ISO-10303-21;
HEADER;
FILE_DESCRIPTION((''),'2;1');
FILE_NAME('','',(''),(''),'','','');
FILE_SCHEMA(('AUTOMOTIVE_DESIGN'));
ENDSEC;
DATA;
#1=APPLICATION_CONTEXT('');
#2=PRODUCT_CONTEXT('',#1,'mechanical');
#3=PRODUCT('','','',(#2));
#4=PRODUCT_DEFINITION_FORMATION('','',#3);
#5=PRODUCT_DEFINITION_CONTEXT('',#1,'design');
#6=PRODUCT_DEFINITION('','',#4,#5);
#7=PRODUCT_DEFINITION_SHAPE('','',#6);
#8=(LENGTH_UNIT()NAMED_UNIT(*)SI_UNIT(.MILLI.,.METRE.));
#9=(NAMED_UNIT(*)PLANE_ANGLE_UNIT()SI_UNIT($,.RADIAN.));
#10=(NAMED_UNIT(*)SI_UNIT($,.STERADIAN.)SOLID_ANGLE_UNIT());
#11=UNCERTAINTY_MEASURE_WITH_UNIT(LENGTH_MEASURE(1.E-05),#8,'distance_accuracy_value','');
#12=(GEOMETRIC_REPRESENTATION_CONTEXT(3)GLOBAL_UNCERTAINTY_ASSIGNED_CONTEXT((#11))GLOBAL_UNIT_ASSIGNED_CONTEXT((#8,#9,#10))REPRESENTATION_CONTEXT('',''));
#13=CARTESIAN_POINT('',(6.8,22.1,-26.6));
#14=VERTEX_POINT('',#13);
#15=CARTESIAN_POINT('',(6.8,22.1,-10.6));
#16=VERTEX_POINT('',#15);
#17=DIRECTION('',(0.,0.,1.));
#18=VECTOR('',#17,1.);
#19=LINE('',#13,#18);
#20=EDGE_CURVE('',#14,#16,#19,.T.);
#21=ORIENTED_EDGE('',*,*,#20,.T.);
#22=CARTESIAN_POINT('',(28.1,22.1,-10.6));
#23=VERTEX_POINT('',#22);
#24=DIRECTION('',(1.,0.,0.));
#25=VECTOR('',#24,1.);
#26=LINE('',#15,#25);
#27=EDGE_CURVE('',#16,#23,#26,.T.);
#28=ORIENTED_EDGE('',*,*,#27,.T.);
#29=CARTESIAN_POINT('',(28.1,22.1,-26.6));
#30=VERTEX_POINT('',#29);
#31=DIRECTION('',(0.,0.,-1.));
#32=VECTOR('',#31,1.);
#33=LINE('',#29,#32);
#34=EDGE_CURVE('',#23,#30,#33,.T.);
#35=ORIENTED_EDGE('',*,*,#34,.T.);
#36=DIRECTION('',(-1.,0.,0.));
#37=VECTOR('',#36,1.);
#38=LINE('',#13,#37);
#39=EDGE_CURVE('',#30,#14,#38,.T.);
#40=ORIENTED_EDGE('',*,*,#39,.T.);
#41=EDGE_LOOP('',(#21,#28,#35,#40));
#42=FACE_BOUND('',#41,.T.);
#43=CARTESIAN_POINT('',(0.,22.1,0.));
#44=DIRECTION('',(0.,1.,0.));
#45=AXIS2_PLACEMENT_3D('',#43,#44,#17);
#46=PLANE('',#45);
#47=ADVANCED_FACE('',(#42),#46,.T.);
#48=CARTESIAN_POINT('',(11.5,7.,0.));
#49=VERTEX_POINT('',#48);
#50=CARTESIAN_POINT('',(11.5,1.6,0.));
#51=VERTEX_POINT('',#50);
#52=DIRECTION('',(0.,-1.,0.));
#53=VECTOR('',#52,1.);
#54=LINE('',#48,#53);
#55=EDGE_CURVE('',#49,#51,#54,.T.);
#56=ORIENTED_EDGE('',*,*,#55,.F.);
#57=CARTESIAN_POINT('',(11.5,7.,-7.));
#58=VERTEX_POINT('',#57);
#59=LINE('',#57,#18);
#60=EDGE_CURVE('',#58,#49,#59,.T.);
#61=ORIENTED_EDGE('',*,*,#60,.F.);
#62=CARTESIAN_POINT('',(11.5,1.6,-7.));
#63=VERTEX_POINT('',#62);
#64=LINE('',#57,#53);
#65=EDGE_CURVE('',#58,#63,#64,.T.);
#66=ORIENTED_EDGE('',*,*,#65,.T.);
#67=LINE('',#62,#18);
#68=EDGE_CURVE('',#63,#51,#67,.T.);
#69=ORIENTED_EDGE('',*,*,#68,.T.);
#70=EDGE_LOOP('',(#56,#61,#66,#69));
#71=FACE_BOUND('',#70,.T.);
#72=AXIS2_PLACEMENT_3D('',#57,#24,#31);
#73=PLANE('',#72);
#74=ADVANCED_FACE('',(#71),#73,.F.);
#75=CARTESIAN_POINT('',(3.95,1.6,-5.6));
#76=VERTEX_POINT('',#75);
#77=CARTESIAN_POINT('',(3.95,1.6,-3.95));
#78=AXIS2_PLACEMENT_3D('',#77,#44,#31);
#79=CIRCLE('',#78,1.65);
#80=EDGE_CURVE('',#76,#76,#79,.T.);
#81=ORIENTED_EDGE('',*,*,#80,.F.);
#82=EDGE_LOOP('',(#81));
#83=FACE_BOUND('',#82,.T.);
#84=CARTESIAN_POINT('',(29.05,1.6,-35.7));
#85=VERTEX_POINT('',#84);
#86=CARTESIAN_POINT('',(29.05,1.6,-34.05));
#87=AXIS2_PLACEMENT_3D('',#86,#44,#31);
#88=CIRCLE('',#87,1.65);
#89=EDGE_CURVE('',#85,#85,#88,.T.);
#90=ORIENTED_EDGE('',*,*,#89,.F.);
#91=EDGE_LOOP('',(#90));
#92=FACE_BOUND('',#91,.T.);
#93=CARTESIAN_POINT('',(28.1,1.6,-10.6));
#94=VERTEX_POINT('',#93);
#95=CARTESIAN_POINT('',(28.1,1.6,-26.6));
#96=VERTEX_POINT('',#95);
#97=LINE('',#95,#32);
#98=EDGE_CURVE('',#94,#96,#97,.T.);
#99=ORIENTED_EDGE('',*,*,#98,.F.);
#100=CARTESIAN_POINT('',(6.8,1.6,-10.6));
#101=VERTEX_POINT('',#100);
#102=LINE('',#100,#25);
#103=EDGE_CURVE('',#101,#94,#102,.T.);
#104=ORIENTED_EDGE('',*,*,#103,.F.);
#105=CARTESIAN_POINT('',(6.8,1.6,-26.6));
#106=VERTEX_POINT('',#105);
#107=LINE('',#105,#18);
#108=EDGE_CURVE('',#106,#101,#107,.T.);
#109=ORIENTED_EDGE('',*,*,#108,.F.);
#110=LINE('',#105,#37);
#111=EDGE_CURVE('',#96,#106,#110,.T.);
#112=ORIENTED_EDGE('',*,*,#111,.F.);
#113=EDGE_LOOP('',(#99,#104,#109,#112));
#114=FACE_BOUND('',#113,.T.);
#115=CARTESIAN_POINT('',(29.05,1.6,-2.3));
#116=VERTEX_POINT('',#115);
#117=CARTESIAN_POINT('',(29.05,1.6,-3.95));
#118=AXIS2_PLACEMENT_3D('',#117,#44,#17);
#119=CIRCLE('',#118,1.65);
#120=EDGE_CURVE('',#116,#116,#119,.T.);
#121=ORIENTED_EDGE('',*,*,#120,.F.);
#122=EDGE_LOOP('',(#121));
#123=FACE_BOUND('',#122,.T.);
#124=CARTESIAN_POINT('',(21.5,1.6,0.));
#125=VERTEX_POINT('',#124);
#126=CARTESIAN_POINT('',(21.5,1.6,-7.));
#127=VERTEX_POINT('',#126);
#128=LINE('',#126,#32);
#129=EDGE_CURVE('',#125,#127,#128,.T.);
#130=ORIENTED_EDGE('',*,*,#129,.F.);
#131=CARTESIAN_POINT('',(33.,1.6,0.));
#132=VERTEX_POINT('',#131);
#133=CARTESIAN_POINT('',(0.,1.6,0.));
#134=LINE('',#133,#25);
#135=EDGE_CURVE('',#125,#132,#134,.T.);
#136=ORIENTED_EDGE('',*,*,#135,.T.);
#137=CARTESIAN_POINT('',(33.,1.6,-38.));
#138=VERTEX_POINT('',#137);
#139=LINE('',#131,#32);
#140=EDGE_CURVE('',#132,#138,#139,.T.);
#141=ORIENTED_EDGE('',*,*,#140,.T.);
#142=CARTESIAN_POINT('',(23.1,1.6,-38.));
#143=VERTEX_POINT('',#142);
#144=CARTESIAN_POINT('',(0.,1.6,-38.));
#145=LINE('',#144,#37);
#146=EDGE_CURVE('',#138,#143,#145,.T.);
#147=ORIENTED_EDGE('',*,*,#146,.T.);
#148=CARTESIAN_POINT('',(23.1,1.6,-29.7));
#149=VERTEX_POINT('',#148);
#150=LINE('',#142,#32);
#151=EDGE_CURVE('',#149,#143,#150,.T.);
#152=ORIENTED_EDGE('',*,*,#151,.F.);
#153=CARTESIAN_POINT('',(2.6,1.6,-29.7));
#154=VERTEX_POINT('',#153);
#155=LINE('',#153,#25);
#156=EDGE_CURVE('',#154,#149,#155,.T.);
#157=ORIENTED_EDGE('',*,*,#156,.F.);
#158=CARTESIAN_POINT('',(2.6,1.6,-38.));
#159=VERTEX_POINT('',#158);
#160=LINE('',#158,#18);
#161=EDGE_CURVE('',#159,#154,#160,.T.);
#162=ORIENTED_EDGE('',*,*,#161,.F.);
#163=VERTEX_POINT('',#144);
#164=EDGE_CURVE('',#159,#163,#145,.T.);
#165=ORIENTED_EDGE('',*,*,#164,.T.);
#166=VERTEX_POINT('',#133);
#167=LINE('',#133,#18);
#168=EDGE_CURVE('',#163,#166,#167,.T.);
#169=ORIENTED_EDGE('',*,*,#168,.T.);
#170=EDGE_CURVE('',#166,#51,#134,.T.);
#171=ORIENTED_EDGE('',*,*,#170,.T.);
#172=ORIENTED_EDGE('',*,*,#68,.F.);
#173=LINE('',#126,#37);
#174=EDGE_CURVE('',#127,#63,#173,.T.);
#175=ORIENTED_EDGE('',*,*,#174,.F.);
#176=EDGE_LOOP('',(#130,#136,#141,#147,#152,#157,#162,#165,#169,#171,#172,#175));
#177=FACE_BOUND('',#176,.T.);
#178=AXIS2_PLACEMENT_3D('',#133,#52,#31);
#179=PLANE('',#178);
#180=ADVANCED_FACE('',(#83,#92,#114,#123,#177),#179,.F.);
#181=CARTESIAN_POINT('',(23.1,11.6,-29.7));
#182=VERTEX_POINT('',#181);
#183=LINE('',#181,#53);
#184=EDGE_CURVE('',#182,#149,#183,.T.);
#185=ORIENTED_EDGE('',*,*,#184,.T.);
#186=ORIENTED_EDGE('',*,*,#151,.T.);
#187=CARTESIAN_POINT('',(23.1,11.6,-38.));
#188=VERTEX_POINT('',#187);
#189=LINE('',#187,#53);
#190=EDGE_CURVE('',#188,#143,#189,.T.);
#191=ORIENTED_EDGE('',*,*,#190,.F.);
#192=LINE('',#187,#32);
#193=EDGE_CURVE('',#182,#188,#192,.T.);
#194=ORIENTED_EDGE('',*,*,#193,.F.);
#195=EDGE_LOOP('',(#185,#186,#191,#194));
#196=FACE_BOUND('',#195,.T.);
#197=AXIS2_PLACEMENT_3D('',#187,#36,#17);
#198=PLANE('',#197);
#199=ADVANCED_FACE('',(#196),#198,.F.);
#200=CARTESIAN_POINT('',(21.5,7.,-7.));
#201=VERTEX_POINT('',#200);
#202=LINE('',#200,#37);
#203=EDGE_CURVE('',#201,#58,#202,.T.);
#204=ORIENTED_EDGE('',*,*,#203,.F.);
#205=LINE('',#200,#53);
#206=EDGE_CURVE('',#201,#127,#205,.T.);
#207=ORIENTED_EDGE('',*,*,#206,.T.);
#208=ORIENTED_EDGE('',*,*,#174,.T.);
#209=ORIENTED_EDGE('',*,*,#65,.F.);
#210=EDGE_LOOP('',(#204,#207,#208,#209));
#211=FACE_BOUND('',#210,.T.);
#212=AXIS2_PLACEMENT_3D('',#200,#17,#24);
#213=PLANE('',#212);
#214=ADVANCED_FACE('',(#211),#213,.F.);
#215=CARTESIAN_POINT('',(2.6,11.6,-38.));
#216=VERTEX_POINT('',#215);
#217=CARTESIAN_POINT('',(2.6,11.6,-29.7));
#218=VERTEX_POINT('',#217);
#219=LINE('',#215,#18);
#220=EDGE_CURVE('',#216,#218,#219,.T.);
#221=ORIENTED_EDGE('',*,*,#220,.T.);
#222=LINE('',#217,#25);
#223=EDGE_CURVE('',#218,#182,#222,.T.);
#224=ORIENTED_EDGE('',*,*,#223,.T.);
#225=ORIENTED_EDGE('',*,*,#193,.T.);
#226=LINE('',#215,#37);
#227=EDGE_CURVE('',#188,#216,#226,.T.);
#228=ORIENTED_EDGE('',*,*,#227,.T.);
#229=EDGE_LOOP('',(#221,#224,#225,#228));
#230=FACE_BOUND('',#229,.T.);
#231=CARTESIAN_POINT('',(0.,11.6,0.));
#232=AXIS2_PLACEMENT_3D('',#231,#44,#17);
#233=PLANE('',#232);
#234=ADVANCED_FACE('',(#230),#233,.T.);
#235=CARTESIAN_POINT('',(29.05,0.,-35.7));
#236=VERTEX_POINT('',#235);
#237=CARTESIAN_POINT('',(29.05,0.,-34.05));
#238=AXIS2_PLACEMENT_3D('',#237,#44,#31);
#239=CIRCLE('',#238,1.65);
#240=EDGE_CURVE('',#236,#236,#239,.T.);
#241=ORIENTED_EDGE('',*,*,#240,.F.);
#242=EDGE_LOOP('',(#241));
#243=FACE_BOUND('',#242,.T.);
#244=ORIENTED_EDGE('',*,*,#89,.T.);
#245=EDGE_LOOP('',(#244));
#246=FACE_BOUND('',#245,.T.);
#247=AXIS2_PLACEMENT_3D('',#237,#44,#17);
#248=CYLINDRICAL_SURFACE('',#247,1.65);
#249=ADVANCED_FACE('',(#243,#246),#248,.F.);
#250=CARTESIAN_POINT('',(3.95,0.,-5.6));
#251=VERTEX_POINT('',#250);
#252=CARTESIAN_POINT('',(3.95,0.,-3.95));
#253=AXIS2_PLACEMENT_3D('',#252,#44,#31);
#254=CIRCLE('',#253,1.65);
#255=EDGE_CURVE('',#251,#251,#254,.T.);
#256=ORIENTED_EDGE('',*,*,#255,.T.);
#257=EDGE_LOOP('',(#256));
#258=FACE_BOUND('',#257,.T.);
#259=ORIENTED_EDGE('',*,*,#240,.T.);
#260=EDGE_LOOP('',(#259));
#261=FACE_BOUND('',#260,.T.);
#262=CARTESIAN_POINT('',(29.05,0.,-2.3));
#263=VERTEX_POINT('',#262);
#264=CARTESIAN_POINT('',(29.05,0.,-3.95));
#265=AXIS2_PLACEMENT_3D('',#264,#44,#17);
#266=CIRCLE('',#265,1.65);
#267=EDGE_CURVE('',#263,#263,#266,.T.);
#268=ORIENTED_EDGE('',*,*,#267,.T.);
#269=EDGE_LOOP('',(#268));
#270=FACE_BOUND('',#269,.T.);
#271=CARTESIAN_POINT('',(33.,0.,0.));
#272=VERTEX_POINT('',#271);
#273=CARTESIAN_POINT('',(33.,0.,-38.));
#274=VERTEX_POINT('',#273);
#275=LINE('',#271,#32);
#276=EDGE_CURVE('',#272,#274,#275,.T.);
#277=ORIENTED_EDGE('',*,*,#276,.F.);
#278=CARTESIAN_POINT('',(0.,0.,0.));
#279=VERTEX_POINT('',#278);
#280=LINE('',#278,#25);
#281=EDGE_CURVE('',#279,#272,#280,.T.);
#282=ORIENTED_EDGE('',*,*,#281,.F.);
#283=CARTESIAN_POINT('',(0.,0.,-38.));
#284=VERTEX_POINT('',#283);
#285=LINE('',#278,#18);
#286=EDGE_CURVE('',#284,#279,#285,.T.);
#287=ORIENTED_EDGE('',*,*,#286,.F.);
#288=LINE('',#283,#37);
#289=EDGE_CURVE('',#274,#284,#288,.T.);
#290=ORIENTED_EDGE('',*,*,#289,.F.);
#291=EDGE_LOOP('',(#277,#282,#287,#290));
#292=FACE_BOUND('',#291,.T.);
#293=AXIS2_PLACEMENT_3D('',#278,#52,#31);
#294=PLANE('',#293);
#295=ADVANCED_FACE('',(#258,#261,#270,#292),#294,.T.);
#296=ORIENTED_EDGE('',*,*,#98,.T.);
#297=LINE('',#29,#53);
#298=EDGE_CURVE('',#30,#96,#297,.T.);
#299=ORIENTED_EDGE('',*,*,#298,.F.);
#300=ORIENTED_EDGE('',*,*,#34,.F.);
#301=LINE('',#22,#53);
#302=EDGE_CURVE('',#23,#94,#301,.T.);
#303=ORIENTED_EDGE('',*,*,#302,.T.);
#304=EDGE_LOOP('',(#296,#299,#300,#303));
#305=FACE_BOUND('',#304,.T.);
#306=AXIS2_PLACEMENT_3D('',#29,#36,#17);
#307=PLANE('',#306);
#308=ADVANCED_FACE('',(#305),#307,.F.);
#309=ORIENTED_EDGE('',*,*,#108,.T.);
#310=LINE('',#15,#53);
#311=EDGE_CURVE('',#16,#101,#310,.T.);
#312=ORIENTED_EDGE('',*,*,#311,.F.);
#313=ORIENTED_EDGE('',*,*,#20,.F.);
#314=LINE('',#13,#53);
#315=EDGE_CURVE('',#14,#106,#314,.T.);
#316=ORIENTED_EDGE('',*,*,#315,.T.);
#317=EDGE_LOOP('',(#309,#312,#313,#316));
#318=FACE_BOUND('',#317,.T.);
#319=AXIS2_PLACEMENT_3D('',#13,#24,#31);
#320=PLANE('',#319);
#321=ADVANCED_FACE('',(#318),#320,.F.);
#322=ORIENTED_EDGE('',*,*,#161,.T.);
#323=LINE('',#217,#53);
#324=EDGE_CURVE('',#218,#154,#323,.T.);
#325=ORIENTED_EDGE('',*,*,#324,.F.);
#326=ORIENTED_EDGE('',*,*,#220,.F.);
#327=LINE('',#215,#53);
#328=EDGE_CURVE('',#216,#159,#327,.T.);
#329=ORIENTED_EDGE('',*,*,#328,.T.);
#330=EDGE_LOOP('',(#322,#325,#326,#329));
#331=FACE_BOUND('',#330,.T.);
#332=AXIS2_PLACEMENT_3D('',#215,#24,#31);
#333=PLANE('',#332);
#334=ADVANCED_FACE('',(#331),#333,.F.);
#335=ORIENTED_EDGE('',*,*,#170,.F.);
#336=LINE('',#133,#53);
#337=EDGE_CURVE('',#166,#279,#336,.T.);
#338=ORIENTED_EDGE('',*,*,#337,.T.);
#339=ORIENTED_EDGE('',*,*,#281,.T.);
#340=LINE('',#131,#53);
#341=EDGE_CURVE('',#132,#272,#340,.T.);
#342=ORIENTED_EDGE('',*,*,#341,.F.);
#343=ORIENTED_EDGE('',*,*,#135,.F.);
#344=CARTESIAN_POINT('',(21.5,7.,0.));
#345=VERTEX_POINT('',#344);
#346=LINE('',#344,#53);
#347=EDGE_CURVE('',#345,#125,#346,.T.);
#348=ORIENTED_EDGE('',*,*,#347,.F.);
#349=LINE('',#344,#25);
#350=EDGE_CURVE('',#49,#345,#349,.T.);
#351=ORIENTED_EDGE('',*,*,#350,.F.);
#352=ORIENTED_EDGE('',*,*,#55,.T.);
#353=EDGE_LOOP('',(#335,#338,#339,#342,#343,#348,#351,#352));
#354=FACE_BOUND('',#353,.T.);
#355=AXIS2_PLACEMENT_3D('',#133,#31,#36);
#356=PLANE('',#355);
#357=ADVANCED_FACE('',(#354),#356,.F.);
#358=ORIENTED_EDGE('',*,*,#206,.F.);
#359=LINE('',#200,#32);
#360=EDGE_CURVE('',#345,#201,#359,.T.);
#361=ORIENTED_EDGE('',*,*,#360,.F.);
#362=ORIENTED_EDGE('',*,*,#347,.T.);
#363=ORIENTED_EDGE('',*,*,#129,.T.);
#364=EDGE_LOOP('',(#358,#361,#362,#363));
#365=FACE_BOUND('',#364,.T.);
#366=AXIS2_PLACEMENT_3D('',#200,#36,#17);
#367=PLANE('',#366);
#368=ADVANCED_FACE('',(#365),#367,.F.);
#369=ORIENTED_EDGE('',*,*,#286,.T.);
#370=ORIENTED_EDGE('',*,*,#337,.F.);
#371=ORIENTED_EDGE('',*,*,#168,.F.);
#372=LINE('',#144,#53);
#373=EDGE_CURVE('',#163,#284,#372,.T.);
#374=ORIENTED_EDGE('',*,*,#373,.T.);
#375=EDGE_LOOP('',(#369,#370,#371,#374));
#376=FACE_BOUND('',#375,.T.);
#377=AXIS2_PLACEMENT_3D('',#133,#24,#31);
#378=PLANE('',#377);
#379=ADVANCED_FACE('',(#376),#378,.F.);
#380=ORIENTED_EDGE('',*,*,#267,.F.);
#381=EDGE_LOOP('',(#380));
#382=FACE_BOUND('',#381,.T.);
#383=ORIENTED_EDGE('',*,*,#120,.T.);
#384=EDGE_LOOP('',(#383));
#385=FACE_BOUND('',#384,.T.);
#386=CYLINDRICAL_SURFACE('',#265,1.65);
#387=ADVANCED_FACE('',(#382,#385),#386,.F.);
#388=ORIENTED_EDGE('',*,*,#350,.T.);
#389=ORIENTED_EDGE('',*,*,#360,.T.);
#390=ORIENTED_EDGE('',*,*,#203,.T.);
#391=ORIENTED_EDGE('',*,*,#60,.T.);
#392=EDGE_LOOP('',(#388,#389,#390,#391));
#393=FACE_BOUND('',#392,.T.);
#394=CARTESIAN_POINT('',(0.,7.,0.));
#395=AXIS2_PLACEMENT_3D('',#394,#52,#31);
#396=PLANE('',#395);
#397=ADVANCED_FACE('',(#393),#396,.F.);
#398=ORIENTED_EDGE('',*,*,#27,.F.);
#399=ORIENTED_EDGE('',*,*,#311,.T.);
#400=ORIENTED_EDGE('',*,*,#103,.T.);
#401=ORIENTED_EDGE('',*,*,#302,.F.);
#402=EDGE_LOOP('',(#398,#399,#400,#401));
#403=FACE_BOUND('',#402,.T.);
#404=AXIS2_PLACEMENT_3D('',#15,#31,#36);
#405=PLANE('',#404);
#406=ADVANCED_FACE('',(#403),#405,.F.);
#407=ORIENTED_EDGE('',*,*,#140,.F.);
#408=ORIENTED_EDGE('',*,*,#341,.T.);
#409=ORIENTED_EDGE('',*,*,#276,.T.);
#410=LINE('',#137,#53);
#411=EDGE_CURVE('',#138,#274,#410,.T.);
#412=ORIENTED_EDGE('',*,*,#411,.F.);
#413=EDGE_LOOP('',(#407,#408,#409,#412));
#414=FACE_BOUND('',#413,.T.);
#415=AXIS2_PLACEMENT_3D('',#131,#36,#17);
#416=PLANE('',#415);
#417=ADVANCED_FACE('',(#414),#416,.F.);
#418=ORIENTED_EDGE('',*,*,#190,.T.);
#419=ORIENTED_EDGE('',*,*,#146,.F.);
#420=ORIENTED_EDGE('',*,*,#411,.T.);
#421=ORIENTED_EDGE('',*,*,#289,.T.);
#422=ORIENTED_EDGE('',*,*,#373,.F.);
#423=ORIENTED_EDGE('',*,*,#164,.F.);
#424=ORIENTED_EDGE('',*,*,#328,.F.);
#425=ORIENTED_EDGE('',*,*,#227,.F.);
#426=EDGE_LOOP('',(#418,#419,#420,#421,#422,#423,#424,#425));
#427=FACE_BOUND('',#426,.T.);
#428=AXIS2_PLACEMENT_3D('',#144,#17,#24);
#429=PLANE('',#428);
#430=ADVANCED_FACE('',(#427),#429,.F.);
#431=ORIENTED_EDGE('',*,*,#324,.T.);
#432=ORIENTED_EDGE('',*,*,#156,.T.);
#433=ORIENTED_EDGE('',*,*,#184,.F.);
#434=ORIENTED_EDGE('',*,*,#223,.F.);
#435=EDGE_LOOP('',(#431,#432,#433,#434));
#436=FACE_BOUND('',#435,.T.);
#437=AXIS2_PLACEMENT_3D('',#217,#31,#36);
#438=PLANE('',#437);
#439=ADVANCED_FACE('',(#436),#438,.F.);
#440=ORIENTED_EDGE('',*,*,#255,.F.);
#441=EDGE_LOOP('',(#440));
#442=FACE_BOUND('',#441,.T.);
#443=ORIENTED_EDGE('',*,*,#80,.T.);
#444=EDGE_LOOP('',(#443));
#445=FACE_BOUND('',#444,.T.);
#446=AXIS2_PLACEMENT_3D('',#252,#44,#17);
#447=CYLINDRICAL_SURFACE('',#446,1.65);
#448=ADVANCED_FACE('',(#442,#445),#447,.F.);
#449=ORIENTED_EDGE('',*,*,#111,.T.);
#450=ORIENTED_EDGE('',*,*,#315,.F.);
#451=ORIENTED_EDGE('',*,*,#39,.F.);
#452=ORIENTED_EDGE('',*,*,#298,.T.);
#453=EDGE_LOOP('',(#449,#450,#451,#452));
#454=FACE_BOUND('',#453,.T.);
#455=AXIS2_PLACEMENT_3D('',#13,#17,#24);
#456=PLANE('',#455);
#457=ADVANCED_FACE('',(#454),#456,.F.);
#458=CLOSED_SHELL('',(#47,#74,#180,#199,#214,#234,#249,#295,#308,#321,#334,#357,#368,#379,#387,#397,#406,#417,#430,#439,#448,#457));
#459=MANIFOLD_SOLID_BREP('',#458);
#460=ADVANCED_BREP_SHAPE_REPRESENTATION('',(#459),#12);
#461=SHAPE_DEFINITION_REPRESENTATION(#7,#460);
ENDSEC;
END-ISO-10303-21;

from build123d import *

# Parameters (mm, degrees)
SKETCH1_W           = 33
SKETCH1_H           = 38
BOSS_EXTRUDE1_DEPTH = 1.6
SKETCH2_R           = 1.65
CUT_EXTRUDE1_DEPTH  = 1.6
SKETCH3_W           = 10
SKETCH3_H           = 7
BOSS_EXTRUDE2_DEPTH = 5.4
SKETCH4_W           = 21.3
SKETCH4_H           = 16
BOSS_EXTRUDE3_DEPTH = 20.5
SKETCH5_W           = 20.5
SKETCH5_H           = 8.3
BOSS_EXTRUDE4_DEPTH = 10


with BuildPart() as part:
    # Sketch1 → Boss-Extrude1 (new body)
    with BuildSketch(Plane(origin=(0, 0, 0), x_dir=(1, 0, 0), z_dir=(0, 1, 0))):
        with Locations((16.5, 19)):
            Rectangle(SKETCH1_W, SKETCH1_H)
    extrude(amount=BOSS_EXTRUDE1_DEPTH)

    # Sketch2 → Cut-Extrude1 (cut)
    with BuildSketch(Plane(origin=(0, 1.6, 0), x_dir=(1, 0, 0), z_dir=(0, 1, 0))):
        with Locations(Location((29.05, 3.95, 0), (0, 0, 270))):
            Circle(SKETCH2_R)
        with Locations(Location((3.95, 3.95, 0), (0, 0, 90))):
            Circle(SKETCH2_R)
        with Locations(Location((29.05, 34.05, 0), (0, 0, 90))):
            Circle(SKETCH2_R)
    extrude(amount=-CUT_EXTRUDE1_DEPTH, mode=Mode.SUBTRACT)

    # Sketch3 → Boss-Extrude2 (add)
    with BuildSketch(Plane(origin=(0, 1.6, 0), x_dir=(1, 0, 0), z_dir=(0, 1, 0))):
        with Locations((16.5, 3.5)):
            Rectangle(SKETCH3_W, SKETCH3_H)
    extrude(amount=BOSS_EXTRUDE2_DEPTH)

    # Sketch4 → Boss-Extrude3 (add)
    with BuildSketch(Plane(origin=(0, 1.6, 0), x_dir=(1, 0, 0), z_dir=(0, 1, 0))):
        with Locations((17.45, 18.6)):
            Rectangle(SKETCH4_W, SKETCH4_H)
    extrude(amount=BOSS_EXTRUDE3_DEPTH)

    # Sketch5 → Boss-Extrude4 (add)
    with BuildSketch(Plane(origin=(0, 1.6, 0), x_dir=(1, 0, 0), z_dir=(0, 1, 0))):
        with Locations((12.85, 33.85)):
            Rectangle(SKETCH5_W, SKETCH5_H)
    extrude(amount=BOSS_EXTRUDE4_DEPTH)


solid = part.part
